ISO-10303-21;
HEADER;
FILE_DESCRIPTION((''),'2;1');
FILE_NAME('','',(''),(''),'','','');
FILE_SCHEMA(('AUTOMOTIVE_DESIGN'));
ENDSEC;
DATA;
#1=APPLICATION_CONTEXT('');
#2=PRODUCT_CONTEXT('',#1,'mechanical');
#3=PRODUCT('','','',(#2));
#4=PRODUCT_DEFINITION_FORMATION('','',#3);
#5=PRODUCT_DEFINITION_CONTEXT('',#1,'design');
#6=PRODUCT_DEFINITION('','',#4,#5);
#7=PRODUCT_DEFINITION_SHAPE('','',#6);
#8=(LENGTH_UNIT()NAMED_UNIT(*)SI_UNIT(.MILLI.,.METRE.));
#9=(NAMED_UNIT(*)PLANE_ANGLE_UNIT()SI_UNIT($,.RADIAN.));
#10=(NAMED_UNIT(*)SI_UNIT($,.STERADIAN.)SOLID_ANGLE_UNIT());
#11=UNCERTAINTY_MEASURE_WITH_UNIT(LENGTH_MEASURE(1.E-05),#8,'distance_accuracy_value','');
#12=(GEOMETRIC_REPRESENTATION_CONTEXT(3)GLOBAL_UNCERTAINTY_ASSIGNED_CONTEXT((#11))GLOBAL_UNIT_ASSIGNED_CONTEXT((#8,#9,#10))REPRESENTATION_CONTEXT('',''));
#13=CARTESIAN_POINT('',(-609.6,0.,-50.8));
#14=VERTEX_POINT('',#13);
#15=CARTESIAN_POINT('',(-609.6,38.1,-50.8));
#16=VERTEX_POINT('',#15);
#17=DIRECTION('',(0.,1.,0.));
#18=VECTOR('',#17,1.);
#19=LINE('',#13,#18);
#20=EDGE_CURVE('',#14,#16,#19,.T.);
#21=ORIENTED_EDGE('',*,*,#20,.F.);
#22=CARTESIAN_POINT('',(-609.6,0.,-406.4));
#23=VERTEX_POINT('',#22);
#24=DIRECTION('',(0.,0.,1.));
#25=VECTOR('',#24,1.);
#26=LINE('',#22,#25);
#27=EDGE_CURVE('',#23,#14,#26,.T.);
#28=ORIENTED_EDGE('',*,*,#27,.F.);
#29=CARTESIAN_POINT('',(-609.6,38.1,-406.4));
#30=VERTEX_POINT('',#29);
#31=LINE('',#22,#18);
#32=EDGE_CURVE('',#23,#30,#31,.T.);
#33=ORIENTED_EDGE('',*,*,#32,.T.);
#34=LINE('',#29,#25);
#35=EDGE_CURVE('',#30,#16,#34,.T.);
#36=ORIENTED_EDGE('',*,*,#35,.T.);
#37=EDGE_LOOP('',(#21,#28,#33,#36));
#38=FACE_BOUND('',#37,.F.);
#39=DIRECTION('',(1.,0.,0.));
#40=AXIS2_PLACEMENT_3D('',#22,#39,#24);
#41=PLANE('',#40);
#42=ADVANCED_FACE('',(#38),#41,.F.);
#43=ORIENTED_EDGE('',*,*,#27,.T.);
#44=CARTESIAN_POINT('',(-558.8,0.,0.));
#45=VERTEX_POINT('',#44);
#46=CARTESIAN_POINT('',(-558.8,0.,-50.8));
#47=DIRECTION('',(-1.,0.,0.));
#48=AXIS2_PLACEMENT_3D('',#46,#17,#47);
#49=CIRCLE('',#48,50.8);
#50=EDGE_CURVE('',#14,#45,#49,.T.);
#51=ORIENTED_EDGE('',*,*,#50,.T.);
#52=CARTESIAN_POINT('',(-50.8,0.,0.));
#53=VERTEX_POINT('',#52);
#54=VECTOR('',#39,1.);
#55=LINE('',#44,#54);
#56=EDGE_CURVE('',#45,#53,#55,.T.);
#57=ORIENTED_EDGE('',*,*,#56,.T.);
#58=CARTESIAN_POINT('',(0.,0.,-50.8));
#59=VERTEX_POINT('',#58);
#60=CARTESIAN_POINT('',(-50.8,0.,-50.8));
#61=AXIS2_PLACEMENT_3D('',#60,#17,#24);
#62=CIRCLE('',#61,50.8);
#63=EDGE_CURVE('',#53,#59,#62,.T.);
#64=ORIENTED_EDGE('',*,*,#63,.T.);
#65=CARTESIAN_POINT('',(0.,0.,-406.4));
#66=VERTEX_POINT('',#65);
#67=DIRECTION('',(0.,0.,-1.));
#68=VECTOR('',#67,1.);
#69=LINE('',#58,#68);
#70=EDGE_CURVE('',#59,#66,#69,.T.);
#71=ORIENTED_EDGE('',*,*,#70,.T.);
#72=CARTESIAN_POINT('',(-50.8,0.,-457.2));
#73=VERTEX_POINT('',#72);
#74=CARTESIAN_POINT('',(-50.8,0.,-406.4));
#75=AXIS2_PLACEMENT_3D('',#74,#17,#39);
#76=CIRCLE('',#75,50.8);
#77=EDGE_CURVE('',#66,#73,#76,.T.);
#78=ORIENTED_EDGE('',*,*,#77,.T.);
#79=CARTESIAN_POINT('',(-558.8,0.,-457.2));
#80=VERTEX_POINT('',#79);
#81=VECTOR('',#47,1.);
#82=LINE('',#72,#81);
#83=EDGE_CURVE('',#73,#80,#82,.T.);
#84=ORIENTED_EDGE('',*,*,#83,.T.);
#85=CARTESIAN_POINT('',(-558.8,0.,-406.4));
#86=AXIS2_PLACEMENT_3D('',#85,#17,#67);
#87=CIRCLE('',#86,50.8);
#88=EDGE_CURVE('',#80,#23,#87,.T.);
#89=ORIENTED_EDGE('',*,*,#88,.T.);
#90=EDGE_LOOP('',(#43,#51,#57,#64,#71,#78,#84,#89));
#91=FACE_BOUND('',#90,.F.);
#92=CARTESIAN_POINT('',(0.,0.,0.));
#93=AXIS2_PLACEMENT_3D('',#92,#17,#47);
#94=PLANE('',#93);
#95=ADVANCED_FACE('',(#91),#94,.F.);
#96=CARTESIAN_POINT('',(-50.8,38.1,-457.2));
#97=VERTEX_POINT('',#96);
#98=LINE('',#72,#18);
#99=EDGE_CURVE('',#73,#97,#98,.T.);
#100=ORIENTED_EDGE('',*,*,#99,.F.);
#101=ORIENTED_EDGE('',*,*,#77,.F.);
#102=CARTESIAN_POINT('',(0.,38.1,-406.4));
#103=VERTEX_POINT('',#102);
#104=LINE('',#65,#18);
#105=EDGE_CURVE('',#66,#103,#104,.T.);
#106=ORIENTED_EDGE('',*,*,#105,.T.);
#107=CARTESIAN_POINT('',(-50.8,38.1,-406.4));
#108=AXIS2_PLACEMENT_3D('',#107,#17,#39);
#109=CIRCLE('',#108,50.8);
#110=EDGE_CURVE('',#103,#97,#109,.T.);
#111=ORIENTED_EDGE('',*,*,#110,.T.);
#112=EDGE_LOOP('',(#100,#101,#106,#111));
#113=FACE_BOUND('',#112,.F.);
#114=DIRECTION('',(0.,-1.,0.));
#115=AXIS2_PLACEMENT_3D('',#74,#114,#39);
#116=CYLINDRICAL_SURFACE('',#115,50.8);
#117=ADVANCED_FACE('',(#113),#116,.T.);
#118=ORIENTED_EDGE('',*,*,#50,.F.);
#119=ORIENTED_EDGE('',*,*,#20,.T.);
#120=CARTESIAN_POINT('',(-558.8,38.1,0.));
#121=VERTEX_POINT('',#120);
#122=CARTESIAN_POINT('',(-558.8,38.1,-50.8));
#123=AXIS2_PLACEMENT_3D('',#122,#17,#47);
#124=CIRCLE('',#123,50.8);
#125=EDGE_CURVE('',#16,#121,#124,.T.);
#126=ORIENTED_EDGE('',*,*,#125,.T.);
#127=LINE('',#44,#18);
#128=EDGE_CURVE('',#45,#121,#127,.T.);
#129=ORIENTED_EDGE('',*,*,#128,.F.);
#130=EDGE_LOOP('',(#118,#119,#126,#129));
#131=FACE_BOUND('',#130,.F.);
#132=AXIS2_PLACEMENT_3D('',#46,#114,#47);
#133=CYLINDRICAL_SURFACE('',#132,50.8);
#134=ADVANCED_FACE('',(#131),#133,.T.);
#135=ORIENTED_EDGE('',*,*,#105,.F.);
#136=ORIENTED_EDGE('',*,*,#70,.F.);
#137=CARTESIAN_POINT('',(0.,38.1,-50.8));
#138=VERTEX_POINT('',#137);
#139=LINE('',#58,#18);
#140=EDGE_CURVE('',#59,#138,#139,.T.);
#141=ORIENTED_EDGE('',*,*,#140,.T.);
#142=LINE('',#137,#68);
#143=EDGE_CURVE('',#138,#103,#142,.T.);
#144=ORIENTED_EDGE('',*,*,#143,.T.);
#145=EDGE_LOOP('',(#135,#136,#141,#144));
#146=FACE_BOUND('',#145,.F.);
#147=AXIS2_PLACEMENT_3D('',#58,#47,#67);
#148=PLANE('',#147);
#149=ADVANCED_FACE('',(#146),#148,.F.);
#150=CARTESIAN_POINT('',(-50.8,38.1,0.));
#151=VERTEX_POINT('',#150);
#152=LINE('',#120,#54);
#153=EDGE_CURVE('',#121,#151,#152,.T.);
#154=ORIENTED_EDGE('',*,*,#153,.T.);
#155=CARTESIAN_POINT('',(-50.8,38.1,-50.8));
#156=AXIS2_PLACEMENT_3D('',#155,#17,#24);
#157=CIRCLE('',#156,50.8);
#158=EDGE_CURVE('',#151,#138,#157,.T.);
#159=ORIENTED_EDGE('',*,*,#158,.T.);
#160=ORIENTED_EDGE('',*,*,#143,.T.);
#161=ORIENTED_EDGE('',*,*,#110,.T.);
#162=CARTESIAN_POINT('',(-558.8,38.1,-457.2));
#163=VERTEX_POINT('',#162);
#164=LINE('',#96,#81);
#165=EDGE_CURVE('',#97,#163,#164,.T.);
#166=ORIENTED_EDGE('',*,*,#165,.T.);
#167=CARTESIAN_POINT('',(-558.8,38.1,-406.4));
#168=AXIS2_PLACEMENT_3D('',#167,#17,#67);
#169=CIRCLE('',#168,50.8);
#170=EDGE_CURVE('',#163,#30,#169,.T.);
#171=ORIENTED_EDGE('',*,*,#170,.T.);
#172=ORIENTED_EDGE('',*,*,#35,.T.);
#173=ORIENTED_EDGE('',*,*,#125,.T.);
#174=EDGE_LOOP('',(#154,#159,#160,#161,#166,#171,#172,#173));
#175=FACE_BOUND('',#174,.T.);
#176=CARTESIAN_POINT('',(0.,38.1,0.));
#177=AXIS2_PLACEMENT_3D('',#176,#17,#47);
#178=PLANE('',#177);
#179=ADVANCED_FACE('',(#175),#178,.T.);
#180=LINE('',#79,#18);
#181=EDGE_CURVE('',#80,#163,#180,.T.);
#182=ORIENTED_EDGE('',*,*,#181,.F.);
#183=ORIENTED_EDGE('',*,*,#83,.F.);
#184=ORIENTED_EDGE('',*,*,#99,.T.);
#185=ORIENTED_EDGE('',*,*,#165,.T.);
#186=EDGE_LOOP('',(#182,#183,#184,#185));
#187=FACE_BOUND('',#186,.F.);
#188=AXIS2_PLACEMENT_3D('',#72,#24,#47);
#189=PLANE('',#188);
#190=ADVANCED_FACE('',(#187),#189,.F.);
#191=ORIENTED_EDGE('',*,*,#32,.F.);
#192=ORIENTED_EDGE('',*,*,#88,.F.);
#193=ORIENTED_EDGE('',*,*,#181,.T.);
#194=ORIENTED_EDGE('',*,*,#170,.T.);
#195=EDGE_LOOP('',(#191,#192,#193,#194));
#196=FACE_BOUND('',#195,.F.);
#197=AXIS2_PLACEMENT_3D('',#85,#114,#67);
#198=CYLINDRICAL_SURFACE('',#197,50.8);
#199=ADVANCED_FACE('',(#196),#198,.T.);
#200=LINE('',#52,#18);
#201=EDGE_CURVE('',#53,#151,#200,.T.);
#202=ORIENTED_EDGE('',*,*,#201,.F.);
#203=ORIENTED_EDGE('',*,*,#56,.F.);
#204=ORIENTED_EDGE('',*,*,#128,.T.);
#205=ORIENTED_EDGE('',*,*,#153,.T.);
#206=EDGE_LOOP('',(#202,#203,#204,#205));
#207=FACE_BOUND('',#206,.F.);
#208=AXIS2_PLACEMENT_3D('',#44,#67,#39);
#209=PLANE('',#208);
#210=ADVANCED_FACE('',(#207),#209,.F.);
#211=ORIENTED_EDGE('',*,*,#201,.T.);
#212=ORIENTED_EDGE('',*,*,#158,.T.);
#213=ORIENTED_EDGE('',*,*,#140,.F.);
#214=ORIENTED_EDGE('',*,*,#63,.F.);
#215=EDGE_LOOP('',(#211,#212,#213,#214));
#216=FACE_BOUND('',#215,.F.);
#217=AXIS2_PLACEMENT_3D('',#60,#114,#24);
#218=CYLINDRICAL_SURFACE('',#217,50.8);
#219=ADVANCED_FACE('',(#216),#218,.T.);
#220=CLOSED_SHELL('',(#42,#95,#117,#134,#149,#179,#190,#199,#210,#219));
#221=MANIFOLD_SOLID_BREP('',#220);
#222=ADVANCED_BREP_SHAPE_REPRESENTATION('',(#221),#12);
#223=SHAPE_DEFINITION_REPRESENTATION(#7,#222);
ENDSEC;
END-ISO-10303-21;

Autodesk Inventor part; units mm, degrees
ref_plane "YZ Plane" through (0, 0, 0) normal (1, 0, 0) x (0, 1, 0)
ref_plane "XZ Plane" through (0, 0, 0) normal (0, 1, 0) x (-1, 0, 0)
ref_plane "XY Plane" through (0, 0, 0) normal (0, 0, 1) x (1, 0, 0)
sketch "Sketch1" plane through (0, 0, 0) normal (0, 1, 0) x (-1, 0, 0)
  line L0 (558.8, 0) -> (50.8, 0)
  line L1 (0, -50.8) -> (0, -406.4)
  line L2 (50.8, -457.2) -> (558.8, -457.2)
  line L3 (609.6, -406.4) -> (609.6, -50.8)
  arc A0 (609.6, -50.8) -> (558.8, 0) centre (558.8, -50.8) ccw
  arc A1 (558.8, -457.2) -> (609.6, -406.4) centre (558.8, -406.4) ccw
  arc A2 (0, -406.4) -> (50.8, -457.2) centre (50.8, -406.4) ccw
  arc A3 (50.8, 0) -> (0, -50.8) centre (50.8, -50.8) ccw
  point P0 (0, 0)
  point P1 (609.6, 0)
  point P2 (0, -457.2)
  point P3 (0, 0)
  point P4 (609.6, -457.2)
  dimension "d0" = 457.2
  dimension "d1" = 609.6
  dimension "d2" = 50.8
extrude "Extrusion1" add sketch "Sketch1" along normal blind 38.1
properties part number "base"
